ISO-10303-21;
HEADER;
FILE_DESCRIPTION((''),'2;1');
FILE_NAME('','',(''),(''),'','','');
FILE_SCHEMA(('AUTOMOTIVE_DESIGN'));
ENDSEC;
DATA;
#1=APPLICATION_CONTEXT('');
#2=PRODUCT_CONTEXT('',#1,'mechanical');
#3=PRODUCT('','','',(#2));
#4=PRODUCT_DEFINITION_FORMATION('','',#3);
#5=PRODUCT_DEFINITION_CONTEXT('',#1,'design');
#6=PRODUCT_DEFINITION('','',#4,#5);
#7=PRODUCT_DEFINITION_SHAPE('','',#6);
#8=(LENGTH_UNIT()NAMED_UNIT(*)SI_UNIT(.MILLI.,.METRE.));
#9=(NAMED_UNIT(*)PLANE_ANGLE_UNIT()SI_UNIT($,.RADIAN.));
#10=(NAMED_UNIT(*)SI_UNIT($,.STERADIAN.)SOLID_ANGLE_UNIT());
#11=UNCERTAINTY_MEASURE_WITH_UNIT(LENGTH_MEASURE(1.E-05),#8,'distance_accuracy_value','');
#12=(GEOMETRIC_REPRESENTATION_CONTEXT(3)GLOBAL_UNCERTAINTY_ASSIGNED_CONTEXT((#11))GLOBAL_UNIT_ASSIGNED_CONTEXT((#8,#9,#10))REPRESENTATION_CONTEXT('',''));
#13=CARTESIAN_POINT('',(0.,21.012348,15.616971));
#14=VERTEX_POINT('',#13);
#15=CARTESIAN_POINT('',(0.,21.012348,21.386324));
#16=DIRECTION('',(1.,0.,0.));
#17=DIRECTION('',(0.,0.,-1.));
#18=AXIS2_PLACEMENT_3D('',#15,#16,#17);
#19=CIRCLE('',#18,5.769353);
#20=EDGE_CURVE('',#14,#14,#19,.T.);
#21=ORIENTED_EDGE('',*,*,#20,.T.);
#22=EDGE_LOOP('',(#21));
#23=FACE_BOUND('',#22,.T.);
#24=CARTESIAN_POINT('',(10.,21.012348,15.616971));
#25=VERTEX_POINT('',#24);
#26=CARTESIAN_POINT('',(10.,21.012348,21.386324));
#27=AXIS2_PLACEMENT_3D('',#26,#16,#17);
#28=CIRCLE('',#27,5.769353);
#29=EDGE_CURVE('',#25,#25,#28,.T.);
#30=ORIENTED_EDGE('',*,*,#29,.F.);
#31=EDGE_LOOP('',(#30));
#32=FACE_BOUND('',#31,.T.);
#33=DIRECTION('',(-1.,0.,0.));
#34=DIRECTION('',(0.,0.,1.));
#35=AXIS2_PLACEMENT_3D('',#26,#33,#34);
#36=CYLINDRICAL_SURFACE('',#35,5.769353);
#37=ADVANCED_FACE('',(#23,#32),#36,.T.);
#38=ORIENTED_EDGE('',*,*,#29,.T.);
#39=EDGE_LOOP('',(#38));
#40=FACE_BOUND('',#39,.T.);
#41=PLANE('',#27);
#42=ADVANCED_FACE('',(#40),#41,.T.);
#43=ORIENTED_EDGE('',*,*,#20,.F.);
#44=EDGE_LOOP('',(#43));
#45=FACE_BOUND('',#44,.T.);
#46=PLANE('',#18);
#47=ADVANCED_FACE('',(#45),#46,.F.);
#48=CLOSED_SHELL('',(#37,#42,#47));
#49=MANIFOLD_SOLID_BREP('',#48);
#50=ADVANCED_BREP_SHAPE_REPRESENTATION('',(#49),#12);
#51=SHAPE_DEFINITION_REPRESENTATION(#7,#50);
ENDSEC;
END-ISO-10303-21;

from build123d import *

# Parameters (mm, degrees)
SKETCH_1_R      = 5.769352896
EXTRUDE_1_DEPTH = 10


with BuildPart() as part:
    # 草图1 → 凸台-拉伸1 (new body)
    with BuildSketch(Plane(origin=(0, 0, 0), x_dir=(0, 0, -1), z_dir=(1, 0, 0))):
        with Locations((-21.386323929, 21.012347695)):
            Circle(SKETCH_1_R)
    extrude(amount=EXTRUDE_1_DEPTH)


solid = part.part
